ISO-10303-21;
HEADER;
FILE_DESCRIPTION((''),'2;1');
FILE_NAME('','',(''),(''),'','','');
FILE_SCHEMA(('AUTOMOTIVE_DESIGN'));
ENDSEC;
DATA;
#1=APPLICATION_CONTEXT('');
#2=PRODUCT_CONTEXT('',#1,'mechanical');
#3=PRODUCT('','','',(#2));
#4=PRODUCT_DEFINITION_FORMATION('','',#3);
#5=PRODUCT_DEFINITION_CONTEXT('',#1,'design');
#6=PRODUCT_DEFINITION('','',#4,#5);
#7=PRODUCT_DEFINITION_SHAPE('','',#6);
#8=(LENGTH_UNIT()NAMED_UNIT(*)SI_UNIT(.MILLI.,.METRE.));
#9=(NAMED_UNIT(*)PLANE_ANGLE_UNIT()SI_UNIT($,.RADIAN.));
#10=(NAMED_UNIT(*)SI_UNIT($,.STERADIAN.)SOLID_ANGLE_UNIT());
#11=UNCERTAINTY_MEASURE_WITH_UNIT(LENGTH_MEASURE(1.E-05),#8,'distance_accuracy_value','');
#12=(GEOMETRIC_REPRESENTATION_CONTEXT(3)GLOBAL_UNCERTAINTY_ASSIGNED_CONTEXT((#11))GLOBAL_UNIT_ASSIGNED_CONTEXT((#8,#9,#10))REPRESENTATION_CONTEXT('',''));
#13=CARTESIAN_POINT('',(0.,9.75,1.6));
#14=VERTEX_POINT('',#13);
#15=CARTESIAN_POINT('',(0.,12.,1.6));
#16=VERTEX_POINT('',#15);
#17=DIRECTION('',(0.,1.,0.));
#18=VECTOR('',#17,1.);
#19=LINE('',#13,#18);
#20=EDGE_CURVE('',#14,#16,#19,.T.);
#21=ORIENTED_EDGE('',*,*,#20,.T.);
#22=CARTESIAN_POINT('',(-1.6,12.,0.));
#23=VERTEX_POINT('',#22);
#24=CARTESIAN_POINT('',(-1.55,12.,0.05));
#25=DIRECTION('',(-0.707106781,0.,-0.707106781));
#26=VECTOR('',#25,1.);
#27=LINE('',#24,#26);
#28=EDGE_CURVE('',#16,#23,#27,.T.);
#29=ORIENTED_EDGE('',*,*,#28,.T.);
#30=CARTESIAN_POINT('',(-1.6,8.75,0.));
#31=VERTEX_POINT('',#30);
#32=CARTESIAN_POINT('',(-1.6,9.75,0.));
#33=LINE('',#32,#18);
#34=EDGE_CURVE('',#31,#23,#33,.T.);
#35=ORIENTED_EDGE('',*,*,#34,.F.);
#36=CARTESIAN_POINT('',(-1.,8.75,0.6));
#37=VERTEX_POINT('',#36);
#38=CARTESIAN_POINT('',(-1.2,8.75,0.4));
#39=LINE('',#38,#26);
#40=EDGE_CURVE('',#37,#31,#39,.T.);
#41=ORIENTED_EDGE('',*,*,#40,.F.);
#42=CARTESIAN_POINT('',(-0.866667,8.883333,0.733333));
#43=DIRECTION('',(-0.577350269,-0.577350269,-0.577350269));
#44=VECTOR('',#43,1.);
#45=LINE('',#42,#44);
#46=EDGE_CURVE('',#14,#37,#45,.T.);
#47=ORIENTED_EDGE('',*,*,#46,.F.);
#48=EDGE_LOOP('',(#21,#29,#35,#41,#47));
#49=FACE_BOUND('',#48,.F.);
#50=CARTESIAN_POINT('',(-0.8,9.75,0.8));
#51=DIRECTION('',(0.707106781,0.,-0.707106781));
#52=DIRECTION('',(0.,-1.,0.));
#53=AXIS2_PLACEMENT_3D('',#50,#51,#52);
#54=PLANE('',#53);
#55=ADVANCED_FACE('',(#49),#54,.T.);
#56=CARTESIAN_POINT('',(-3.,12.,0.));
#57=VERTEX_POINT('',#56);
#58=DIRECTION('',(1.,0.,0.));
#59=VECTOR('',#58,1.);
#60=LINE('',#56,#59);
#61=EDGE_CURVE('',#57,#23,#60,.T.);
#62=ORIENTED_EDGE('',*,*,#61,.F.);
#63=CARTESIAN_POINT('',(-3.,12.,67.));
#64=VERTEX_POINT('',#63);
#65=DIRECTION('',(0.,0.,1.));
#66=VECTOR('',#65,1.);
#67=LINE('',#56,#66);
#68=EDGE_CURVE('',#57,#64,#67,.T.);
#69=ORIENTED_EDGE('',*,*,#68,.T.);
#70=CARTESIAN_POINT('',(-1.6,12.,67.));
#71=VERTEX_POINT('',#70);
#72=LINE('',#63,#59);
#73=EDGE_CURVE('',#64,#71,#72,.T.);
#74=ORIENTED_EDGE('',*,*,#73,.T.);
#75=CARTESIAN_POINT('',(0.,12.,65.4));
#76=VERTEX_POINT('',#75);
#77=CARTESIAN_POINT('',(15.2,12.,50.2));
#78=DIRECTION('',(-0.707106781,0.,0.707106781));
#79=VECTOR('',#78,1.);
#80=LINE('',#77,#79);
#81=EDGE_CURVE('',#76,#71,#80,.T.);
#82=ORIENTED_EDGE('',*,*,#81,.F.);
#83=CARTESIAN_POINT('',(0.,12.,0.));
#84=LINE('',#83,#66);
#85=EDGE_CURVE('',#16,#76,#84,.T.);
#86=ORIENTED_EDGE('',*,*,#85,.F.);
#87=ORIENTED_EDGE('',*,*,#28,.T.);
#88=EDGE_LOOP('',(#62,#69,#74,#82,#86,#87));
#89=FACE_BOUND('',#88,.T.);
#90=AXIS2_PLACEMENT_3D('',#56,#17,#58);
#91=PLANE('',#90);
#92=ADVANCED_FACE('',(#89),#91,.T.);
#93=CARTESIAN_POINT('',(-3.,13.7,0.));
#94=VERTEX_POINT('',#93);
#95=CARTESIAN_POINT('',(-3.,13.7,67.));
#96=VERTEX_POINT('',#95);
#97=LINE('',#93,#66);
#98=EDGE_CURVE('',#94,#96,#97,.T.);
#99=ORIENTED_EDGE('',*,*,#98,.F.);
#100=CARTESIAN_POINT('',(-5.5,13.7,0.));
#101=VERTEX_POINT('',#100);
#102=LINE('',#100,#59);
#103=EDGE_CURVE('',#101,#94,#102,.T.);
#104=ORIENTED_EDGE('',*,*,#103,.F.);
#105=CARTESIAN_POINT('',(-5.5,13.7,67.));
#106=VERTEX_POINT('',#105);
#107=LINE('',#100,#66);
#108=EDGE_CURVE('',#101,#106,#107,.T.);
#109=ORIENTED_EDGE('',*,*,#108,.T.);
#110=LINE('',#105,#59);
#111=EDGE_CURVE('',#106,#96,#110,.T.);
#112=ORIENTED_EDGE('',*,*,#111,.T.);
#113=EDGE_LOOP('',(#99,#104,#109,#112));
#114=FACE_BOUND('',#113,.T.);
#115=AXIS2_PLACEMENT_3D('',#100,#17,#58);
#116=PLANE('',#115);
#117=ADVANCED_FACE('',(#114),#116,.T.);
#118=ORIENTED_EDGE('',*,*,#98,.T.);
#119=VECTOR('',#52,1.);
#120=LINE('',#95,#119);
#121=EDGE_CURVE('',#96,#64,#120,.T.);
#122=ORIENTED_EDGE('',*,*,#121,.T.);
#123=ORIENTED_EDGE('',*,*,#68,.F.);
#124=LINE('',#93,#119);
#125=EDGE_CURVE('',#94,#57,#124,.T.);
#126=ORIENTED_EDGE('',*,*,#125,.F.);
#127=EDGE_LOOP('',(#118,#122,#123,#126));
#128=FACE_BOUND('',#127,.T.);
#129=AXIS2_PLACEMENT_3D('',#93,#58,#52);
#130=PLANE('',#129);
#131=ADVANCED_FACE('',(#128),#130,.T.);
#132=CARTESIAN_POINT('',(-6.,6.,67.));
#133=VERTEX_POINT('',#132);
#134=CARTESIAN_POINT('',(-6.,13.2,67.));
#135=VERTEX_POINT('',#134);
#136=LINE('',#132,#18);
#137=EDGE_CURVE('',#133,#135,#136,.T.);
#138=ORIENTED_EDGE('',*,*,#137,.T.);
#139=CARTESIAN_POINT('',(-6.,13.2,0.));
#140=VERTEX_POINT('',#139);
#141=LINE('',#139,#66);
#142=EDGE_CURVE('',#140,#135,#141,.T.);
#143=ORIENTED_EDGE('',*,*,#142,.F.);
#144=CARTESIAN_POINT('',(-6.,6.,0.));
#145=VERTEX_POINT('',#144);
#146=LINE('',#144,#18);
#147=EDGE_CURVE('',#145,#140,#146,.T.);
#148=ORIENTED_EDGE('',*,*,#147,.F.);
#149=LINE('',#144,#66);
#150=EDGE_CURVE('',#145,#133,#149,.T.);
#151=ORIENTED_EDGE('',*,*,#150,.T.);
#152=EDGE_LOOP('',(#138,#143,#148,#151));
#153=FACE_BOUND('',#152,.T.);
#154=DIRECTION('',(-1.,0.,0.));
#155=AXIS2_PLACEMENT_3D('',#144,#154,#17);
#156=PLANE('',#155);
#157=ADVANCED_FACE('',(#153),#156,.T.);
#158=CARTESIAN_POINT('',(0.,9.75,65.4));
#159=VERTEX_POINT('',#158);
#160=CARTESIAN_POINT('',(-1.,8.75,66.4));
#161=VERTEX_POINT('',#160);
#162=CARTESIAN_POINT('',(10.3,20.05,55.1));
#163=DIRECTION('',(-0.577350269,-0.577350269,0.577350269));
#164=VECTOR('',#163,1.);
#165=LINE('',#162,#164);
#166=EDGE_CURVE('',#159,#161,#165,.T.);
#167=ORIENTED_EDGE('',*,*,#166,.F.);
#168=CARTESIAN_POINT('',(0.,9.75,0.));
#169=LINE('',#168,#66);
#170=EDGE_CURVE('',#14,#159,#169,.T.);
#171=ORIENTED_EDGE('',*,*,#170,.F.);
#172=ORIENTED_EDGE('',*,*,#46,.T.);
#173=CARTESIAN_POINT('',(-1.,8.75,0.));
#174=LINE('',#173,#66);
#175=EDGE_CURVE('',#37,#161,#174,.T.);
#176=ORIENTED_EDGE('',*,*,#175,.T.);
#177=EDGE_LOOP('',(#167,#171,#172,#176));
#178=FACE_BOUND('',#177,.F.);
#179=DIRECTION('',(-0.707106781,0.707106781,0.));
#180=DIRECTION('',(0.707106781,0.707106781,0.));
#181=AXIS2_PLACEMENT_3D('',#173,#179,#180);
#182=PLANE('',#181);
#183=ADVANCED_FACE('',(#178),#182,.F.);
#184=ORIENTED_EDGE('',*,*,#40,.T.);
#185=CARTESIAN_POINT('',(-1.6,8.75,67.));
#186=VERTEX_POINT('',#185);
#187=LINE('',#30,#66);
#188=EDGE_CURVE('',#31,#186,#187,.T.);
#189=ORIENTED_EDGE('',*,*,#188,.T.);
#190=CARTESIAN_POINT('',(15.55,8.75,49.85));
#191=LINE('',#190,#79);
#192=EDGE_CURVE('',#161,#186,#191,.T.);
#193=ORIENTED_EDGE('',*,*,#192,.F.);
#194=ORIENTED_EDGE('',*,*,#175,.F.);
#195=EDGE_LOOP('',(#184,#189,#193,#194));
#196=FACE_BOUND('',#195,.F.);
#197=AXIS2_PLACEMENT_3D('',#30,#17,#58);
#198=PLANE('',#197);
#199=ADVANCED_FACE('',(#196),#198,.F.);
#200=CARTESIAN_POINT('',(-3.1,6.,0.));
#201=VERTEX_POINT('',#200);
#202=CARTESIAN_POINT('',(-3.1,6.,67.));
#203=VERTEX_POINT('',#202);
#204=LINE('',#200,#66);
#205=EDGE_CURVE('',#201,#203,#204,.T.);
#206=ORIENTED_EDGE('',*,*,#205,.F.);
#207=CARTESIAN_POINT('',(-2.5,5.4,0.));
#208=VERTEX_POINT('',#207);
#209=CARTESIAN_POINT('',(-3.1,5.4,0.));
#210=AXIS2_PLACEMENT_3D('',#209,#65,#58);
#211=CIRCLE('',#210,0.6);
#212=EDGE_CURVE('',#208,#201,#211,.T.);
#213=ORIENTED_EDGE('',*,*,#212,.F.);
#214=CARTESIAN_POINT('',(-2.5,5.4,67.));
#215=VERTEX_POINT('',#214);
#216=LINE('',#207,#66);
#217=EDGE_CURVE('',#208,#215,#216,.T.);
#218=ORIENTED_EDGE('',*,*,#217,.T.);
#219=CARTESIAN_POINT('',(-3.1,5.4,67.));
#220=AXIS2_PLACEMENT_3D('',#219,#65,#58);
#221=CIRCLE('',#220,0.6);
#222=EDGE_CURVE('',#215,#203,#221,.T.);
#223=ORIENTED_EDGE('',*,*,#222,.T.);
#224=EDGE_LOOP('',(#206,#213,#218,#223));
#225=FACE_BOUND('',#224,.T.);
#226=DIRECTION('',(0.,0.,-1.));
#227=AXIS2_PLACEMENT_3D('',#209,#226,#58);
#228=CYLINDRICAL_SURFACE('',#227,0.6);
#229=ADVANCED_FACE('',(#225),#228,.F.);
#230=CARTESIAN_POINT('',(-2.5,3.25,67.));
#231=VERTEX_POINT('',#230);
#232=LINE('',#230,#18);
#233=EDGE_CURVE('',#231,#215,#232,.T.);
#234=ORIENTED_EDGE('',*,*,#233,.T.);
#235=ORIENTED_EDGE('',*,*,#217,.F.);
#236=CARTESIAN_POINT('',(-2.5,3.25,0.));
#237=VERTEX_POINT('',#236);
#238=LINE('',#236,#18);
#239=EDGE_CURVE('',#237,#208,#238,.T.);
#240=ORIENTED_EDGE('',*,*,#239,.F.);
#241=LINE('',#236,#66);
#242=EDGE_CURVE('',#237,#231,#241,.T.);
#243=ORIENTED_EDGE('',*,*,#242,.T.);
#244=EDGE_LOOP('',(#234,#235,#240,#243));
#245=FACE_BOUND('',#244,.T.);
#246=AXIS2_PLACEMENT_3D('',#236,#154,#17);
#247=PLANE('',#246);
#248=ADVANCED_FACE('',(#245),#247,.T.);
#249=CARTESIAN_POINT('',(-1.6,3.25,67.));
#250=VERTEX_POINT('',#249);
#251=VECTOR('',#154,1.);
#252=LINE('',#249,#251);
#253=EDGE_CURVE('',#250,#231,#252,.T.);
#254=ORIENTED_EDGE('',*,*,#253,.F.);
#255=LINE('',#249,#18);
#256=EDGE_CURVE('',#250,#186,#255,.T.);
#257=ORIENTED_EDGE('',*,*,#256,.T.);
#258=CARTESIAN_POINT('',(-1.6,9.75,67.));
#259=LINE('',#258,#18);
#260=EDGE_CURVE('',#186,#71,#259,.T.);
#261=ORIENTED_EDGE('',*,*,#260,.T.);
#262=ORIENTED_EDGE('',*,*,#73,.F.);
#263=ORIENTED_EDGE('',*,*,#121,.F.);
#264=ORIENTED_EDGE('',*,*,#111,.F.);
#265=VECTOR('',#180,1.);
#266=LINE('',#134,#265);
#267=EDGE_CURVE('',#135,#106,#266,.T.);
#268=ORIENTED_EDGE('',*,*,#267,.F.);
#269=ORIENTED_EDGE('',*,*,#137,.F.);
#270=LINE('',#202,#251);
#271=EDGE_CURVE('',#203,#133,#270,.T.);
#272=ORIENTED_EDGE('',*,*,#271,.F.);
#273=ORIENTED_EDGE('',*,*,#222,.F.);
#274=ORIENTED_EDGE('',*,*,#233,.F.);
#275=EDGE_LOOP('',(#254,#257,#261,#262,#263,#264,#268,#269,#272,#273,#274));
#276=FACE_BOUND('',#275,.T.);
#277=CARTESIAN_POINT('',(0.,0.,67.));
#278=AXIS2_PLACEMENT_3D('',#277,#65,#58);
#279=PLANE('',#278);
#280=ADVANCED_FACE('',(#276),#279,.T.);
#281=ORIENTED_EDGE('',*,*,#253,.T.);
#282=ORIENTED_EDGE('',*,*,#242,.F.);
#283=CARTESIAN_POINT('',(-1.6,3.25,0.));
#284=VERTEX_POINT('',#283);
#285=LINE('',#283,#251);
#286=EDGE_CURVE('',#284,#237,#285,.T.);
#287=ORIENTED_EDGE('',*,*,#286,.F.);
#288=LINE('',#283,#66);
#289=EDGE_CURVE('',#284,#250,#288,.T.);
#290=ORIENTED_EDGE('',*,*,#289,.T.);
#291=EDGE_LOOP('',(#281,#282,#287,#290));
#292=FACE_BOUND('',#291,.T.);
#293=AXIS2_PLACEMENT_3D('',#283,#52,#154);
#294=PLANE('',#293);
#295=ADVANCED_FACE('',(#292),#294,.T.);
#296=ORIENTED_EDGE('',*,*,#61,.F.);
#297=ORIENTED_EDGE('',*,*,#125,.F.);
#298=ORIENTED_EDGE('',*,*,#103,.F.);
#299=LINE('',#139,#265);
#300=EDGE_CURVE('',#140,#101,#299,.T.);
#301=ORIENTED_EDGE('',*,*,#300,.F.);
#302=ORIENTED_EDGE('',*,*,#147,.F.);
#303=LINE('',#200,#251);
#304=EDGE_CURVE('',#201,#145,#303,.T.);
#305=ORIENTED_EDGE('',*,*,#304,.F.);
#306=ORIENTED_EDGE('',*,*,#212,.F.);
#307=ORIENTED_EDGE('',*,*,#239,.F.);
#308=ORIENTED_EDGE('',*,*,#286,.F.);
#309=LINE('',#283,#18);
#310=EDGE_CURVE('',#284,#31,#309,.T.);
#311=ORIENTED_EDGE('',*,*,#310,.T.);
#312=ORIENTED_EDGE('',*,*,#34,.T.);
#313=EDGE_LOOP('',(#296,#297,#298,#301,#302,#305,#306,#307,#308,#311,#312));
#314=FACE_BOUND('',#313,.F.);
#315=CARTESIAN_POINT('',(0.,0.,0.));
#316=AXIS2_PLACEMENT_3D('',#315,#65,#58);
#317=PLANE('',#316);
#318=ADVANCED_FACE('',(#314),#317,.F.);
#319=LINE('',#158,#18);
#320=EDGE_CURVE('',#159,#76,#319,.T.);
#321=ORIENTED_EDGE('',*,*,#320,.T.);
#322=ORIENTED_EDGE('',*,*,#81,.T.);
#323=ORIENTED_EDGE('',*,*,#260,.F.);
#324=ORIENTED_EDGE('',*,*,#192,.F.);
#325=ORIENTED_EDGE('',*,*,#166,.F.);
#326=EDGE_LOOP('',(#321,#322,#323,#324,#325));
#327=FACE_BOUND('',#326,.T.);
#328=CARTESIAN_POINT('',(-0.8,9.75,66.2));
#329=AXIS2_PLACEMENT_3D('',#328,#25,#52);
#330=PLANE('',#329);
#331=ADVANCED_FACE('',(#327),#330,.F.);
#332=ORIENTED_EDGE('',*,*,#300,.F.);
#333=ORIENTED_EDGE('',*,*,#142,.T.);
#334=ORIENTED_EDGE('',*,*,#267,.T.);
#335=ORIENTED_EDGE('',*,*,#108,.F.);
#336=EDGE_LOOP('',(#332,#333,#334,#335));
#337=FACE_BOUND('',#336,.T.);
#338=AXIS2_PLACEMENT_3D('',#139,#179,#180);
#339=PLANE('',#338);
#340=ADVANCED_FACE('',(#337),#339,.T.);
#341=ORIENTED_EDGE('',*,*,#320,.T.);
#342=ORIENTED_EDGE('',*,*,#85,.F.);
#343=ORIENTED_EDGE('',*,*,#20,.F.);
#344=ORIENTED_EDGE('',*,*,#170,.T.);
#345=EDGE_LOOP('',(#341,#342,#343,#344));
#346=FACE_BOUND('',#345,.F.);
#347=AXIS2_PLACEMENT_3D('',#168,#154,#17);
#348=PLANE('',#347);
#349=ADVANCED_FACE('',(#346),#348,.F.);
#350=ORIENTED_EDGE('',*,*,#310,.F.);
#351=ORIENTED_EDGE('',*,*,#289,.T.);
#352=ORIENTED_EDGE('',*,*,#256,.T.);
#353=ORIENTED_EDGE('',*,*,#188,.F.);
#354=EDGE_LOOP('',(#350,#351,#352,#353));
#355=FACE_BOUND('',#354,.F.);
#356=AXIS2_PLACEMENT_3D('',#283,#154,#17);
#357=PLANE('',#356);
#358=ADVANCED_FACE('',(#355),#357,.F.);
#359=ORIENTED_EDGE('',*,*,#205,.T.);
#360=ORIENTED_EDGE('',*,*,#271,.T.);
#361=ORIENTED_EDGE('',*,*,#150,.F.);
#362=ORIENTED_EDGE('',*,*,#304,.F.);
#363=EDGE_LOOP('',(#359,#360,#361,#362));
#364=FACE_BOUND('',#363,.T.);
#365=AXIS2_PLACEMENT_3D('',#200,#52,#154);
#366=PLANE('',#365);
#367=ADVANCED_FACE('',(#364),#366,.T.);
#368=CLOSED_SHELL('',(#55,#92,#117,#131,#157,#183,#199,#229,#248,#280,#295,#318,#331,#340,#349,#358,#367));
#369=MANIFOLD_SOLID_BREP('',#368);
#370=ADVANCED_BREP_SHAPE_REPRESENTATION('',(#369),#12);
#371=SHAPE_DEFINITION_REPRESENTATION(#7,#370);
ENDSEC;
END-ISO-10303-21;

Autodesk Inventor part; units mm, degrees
ref_plane "YZ Plane" through (0, 0, 0) normal (1, 0, 0) x (0, 1, 0)
ref_plane "XZ Plane" through (0, 0, 0) normal (0, 1, 0) x (-1, 0, 0)
ref_plane "XY Plane" through (0, 0, 0) normal (0, 0, 1) x (1, 0, 0)
sketch "Sketch1" plane through (0, 0, 0) normal (0, 0, 1) x (1, 0, 0)
  line L0 (0, 12) -> (0, 9.75) construction
  line L1 (0, 0) -> (-2.5, 0) construction
  line L2 (-2.5, 0) -> (-2.5, 5.4) construction
  line L3 (-3.1, 6) -> (-6, 6)
  line L4 (-6, 6) -> (-6, 13.2)
  line L5 (-5.5, 13.7) -> (-3, 13.7)
  line L6 (-3, 13.7) -> (-3, 12)
  line L7 (-3, 12) -> (0, 12)
  line L8 (0, 3.25) -> (-1.6, 3.25) construction
  line L9 (-1.6, 3.25) -> (-1.6, 8.75)
  line L10 (-1.6, 8.75) -> (-1, 8.75)
  line L11 (0, 8.75) -> (0, 3.25)
  line L12 (0, 8.75) -> (0, 12)
  arc A0 (-2.5, 5.4) -> (-3.1, 6) centre (-3.1, 5.4) ccw
  line L13 (-1.6, 3.25) -> (-1.6, 0) construction
  line L14 (-2.5, 0) -> (-1.6, 0) construction
  line L15 (-1.6, 3.25) -> (-2.5, 3.25)
  line L16 (-2.5, 3.25) -> (-2.5, 5.4)
  line L17 (-1, 8.75) -> (0, 9.75)
  line L18 (-6, 13.2) -> (-5.5, 13.7)
  point P0 (-6, 13.7)
  point P1 (-1.6, 6)
  point P2 (0, 9.5)
  point P3 (0, 9.75)
  dimension "d0" = 12
  dimension "d1" = 2.5
  dimension "d2" = 3.5
  dimension "d3" = 6
  dimension "d4" = 1.7
  dimension "d5" = 3
  dimension "d8" = 6
  dimension "d9" = 5.5
  dimension "d14" = 1.6
  dimension "d15" = 0.6
  dimension "d16" = 1
  dimension "d17" = 1
  dimension "d18" = 0.5
  dimension "d19" = 0.5
extrude "Extrusion1" add sketch "Sketch1" along normal blind 67
chamfer "Chamfer1" distance 1.6 angle 45 2 edges at (0, 10.875, 67) (0, 10.875, 0)
properties part number "Diffuser" material "Glass"
